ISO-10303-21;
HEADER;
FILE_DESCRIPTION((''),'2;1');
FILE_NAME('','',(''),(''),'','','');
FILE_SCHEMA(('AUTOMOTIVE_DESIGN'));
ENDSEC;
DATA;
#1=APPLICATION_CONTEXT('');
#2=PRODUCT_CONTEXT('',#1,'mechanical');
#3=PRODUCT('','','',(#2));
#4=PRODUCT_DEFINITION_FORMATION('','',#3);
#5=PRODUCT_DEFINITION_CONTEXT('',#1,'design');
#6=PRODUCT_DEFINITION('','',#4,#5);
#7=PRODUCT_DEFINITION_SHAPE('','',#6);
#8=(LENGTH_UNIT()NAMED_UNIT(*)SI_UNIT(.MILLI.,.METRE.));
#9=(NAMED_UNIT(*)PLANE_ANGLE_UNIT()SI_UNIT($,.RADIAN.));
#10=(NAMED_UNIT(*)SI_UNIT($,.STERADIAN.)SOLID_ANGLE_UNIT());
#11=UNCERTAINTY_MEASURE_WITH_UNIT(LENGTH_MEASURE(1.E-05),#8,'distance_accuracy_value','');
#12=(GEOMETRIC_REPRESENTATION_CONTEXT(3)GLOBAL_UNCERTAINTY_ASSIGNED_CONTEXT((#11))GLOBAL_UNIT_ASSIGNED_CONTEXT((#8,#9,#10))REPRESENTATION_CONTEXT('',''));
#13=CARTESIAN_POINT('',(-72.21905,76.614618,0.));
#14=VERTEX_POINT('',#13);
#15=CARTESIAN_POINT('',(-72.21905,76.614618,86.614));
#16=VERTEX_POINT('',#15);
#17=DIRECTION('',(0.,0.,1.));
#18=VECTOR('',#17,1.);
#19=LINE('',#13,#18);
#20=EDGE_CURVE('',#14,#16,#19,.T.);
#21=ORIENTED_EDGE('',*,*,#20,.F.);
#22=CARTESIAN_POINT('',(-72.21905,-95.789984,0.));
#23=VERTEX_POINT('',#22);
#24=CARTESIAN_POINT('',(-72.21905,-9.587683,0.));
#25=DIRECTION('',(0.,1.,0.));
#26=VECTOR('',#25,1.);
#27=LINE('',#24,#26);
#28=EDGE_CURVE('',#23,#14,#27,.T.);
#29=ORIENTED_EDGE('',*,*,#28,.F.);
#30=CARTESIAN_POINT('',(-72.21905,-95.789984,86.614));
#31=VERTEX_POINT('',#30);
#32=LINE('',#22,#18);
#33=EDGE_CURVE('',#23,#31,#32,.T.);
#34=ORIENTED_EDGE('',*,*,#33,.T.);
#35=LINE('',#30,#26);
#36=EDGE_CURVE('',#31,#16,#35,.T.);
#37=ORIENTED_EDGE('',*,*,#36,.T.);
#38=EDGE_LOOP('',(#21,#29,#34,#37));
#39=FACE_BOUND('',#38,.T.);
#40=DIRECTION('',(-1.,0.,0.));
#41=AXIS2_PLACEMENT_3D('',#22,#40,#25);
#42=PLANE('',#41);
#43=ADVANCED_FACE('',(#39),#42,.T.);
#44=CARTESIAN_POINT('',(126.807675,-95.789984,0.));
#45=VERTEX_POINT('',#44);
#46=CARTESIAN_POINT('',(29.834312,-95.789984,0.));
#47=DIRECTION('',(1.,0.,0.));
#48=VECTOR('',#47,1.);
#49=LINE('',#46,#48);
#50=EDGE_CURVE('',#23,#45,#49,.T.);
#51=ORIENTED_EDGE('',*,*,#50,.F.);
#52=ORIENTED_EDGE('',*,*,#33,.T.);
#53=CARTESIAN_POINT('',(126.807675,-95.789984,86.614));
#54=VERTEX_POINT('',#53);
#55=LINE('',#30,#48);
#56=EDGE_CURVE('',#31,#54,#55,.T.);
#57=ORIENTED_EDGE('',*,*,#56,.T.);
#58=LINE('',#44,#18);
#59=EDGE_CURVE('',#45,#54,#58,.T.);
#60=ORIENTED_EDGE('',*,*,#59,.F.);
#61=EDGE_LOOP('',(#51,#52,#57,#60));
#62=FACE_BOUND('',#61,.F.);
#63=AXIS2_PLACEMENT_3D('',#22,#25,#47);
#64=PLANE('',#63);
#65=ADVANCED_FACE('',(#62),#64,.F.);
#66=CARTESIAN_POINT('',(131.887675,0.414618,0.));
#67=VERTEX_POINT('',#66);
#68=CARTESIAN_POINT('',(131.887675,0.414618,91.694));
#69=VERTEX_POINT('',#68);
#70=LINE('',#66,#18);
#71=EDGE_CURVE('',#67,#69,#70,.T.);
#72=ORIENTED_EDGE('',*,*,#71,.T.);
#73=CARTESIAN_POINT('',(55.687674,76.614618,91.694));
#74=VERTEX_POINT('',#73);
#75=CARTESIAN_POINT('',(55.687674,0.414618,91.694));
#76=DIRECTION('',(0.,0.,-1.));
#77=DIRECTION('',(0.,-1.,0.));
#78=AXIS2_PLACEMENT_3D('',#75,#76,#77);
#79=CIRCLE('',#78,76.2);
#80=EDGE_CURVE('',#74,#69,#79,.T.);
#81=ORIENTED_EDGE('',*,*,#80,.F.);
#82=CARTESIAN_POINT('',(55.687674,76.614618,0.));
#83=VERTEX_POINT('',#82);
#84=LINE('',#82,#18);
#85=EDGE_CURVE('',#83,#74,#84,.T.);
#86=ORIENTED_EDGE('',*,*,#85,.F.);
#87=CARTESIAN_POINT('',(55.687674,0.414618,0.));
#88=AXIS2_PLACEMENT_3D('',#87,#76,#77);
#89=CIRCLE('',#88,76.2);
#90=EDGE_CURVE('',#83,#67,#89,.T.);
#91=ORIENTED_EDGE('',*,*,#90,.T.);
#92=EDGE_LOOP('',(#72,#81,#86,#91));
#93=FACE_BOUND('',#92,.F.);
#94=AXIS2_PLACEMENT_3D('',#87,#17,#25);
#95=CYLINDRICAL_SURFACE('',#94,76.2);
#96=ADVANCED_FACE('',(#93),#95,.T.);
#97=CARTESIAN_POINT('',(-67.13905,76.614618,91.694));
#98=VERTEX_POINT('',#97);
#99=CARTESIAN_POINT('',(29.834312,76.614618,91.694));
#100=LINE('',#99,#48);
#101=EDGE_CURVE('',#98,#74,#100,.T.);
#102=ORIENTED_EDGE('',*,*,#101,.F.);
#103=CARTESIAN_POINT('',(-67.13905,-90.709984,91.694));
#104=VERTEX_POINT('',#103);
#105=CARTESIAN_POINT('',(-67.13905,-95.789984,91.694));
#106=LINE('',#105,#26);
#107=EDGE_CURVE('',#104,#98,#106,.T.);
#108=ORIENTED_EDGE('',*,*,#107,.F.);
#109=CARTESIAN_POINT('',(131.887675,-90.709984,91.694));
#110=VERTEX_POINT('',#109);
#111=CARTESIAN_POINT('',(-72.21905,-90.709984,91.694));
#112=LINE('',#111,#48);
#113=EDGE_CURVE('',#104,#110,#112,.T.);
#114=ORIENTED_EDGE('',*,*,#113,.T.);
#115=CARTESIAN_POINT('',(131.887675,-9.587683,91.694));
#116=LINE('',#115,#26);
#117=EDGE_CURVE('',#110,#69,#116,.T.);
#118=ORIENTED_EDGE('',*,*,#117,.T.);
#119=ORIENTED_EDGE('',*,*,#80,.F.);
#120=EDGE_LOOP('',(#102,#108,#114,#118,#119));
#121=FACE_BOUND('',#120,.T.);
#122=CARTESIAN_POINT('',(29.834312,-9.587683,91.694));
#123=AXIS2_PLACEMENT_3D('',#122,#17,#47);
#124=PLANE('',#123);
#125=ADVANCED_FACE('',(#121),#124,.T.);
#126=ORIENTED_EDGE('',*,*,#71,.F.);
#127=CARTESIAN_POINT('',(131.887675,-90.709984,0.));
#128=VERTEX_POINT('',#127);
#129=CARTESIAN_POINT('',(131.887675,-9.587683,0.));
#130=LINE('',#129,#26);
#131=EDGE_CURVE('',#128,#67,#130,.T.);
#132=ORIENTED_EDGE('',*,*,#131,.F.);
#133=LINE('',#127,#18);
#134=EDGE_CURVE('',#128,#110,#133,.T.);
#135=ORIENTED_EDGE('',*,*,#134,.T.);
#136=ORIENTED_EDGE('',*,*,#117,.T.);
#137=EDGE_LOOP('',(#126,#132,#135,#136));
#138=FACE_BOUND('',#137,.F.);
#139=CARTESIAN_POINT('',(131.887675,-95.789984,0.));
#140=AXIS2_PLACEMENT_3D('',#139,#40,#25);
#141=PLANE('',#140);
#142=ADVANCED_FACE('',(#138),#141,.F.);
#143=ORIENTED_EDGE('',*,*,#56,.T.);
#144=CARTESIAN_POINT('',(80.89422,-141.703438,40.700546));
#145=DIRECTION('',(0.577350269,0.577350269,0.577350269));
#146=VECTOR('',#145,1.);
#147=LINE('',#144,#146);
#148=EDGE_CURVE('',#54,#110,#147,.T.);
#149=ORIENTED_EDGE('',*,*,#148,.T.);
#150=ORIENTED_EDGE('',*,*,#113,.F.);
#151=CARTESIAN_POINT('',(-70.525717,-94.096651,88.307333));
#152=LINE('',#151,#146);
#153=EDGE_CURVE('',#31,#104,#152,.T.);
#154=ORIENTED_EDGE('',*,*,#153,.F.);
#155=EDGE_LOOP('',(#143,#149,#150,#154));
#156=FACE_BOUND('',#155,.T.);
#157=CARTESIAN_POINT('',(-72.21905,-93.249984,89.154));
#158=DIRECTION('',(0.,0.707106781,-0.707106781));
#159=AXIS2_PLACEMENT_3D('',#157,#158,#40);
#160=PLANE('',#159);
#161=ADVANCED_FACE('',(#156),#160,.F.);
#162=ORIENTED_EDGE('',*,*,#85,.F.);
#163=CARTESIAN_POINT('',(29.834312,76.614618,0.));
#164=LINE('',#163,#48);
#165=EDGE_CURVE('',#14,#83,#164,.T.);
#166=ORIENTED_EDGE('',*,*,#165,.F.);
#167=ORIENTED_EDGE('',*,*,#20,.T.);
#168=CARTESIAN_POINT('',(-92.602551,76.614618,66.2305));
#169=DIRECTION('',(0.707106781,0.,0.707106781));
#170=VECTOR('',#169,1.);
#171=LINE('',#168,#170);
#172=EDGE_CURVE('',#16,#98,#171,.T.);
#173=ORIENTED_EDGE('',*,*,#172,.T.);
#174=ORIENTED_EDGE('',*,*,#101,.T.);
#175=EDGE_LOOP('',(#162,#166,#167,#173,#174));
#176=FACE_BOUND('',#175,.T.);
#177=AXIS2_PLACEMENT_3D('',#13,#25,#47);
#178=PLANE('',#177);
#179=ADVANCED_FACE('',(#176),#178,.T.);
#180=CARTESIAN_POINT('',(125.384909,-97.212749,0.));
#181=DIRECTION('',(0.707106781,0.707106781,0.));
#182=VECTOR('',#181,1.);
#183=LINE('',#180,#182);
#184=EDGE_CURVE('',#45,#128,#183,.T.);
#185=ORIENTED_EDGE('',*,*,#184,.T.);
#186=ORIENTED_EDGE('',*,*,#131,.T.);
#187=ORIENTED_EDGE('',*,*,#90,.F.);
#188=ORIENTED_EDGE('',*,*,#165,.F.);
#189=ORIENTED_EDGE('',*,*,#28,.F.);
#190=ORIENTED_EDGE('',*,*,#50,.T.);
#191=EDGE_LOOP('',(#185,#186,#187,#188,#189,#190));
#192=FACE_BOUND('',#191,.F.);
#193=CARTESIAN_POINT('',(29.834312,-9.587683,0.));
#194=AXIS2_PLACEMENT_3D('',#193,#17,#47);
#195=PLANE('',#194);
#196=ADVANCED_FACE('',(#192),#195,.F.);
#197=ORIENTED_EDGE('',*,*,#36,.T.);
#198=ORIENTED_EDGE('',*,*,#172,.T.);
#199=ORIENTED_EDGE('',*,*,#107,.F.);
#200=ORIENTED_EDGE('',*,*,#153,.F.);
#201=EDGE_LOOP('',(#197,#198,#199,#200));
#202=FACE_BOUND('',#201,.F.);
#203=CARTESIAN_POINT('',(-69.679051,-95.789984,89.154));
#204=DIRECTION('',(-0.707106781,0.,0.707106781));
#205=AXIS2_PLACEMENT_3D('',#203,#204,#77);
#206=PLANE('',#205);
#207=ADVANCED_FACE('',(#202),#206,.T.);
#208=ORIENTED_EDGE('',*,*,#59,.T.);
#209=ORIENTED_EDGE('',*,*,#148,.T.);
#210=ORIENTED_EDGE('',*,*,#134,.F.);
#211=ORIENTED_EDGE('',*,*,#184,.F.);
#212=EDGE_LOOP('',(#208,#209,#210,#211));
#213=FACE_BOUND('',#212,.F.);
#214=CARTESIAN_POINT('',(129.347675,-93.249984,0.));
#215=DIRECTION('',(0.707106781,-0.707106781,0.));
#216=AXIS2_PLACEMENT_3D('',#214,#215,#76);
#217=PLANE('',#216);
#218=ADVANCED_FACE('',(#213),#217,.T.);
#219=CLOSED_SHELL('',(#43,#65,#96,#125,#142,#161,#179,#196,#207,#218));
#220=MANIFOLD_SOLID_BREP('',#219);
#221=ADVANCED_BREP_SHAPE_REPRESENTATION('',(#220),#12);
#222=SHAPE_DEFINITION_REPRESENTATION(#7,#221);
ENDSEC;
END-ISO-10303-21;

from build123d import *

# Parameters (mm, degrees)
F0_W     = 204.106725
F0_H     = 172.404602
F1_DEPTH = 91.694
F2_SIZE  = 5.08
F3_R     = 76.2


with BuildPart() as f1:
    # F0 (on Top) → F1 (new body)
    with BuildSketch(Plane.XY):
        with Locations((29.834312, -9.587683)):
            Rectangle(F0_W, F0_H)
    extrude(amount=F1_DEPTH)

    # F2
    f2_edges = [f1.edges().sort_by_distance(p)[0] for p in [
        (29.834311, -95.789984, 91.694),
        (-72.219051, -9.587683, 91.694),
        (131.887674, -95.789984, 45.847),
    ]]
    chamfer(f2_edges, length=F2_SIZE)

    # F3
    f3_edges = [f1.edges().sort_by_distance(p)[0] for p in [
        (131.887674, 76.614618, 45.847),
    ]]
    fillet(f3_edges, radius=F3_R)


solid = f1.part
